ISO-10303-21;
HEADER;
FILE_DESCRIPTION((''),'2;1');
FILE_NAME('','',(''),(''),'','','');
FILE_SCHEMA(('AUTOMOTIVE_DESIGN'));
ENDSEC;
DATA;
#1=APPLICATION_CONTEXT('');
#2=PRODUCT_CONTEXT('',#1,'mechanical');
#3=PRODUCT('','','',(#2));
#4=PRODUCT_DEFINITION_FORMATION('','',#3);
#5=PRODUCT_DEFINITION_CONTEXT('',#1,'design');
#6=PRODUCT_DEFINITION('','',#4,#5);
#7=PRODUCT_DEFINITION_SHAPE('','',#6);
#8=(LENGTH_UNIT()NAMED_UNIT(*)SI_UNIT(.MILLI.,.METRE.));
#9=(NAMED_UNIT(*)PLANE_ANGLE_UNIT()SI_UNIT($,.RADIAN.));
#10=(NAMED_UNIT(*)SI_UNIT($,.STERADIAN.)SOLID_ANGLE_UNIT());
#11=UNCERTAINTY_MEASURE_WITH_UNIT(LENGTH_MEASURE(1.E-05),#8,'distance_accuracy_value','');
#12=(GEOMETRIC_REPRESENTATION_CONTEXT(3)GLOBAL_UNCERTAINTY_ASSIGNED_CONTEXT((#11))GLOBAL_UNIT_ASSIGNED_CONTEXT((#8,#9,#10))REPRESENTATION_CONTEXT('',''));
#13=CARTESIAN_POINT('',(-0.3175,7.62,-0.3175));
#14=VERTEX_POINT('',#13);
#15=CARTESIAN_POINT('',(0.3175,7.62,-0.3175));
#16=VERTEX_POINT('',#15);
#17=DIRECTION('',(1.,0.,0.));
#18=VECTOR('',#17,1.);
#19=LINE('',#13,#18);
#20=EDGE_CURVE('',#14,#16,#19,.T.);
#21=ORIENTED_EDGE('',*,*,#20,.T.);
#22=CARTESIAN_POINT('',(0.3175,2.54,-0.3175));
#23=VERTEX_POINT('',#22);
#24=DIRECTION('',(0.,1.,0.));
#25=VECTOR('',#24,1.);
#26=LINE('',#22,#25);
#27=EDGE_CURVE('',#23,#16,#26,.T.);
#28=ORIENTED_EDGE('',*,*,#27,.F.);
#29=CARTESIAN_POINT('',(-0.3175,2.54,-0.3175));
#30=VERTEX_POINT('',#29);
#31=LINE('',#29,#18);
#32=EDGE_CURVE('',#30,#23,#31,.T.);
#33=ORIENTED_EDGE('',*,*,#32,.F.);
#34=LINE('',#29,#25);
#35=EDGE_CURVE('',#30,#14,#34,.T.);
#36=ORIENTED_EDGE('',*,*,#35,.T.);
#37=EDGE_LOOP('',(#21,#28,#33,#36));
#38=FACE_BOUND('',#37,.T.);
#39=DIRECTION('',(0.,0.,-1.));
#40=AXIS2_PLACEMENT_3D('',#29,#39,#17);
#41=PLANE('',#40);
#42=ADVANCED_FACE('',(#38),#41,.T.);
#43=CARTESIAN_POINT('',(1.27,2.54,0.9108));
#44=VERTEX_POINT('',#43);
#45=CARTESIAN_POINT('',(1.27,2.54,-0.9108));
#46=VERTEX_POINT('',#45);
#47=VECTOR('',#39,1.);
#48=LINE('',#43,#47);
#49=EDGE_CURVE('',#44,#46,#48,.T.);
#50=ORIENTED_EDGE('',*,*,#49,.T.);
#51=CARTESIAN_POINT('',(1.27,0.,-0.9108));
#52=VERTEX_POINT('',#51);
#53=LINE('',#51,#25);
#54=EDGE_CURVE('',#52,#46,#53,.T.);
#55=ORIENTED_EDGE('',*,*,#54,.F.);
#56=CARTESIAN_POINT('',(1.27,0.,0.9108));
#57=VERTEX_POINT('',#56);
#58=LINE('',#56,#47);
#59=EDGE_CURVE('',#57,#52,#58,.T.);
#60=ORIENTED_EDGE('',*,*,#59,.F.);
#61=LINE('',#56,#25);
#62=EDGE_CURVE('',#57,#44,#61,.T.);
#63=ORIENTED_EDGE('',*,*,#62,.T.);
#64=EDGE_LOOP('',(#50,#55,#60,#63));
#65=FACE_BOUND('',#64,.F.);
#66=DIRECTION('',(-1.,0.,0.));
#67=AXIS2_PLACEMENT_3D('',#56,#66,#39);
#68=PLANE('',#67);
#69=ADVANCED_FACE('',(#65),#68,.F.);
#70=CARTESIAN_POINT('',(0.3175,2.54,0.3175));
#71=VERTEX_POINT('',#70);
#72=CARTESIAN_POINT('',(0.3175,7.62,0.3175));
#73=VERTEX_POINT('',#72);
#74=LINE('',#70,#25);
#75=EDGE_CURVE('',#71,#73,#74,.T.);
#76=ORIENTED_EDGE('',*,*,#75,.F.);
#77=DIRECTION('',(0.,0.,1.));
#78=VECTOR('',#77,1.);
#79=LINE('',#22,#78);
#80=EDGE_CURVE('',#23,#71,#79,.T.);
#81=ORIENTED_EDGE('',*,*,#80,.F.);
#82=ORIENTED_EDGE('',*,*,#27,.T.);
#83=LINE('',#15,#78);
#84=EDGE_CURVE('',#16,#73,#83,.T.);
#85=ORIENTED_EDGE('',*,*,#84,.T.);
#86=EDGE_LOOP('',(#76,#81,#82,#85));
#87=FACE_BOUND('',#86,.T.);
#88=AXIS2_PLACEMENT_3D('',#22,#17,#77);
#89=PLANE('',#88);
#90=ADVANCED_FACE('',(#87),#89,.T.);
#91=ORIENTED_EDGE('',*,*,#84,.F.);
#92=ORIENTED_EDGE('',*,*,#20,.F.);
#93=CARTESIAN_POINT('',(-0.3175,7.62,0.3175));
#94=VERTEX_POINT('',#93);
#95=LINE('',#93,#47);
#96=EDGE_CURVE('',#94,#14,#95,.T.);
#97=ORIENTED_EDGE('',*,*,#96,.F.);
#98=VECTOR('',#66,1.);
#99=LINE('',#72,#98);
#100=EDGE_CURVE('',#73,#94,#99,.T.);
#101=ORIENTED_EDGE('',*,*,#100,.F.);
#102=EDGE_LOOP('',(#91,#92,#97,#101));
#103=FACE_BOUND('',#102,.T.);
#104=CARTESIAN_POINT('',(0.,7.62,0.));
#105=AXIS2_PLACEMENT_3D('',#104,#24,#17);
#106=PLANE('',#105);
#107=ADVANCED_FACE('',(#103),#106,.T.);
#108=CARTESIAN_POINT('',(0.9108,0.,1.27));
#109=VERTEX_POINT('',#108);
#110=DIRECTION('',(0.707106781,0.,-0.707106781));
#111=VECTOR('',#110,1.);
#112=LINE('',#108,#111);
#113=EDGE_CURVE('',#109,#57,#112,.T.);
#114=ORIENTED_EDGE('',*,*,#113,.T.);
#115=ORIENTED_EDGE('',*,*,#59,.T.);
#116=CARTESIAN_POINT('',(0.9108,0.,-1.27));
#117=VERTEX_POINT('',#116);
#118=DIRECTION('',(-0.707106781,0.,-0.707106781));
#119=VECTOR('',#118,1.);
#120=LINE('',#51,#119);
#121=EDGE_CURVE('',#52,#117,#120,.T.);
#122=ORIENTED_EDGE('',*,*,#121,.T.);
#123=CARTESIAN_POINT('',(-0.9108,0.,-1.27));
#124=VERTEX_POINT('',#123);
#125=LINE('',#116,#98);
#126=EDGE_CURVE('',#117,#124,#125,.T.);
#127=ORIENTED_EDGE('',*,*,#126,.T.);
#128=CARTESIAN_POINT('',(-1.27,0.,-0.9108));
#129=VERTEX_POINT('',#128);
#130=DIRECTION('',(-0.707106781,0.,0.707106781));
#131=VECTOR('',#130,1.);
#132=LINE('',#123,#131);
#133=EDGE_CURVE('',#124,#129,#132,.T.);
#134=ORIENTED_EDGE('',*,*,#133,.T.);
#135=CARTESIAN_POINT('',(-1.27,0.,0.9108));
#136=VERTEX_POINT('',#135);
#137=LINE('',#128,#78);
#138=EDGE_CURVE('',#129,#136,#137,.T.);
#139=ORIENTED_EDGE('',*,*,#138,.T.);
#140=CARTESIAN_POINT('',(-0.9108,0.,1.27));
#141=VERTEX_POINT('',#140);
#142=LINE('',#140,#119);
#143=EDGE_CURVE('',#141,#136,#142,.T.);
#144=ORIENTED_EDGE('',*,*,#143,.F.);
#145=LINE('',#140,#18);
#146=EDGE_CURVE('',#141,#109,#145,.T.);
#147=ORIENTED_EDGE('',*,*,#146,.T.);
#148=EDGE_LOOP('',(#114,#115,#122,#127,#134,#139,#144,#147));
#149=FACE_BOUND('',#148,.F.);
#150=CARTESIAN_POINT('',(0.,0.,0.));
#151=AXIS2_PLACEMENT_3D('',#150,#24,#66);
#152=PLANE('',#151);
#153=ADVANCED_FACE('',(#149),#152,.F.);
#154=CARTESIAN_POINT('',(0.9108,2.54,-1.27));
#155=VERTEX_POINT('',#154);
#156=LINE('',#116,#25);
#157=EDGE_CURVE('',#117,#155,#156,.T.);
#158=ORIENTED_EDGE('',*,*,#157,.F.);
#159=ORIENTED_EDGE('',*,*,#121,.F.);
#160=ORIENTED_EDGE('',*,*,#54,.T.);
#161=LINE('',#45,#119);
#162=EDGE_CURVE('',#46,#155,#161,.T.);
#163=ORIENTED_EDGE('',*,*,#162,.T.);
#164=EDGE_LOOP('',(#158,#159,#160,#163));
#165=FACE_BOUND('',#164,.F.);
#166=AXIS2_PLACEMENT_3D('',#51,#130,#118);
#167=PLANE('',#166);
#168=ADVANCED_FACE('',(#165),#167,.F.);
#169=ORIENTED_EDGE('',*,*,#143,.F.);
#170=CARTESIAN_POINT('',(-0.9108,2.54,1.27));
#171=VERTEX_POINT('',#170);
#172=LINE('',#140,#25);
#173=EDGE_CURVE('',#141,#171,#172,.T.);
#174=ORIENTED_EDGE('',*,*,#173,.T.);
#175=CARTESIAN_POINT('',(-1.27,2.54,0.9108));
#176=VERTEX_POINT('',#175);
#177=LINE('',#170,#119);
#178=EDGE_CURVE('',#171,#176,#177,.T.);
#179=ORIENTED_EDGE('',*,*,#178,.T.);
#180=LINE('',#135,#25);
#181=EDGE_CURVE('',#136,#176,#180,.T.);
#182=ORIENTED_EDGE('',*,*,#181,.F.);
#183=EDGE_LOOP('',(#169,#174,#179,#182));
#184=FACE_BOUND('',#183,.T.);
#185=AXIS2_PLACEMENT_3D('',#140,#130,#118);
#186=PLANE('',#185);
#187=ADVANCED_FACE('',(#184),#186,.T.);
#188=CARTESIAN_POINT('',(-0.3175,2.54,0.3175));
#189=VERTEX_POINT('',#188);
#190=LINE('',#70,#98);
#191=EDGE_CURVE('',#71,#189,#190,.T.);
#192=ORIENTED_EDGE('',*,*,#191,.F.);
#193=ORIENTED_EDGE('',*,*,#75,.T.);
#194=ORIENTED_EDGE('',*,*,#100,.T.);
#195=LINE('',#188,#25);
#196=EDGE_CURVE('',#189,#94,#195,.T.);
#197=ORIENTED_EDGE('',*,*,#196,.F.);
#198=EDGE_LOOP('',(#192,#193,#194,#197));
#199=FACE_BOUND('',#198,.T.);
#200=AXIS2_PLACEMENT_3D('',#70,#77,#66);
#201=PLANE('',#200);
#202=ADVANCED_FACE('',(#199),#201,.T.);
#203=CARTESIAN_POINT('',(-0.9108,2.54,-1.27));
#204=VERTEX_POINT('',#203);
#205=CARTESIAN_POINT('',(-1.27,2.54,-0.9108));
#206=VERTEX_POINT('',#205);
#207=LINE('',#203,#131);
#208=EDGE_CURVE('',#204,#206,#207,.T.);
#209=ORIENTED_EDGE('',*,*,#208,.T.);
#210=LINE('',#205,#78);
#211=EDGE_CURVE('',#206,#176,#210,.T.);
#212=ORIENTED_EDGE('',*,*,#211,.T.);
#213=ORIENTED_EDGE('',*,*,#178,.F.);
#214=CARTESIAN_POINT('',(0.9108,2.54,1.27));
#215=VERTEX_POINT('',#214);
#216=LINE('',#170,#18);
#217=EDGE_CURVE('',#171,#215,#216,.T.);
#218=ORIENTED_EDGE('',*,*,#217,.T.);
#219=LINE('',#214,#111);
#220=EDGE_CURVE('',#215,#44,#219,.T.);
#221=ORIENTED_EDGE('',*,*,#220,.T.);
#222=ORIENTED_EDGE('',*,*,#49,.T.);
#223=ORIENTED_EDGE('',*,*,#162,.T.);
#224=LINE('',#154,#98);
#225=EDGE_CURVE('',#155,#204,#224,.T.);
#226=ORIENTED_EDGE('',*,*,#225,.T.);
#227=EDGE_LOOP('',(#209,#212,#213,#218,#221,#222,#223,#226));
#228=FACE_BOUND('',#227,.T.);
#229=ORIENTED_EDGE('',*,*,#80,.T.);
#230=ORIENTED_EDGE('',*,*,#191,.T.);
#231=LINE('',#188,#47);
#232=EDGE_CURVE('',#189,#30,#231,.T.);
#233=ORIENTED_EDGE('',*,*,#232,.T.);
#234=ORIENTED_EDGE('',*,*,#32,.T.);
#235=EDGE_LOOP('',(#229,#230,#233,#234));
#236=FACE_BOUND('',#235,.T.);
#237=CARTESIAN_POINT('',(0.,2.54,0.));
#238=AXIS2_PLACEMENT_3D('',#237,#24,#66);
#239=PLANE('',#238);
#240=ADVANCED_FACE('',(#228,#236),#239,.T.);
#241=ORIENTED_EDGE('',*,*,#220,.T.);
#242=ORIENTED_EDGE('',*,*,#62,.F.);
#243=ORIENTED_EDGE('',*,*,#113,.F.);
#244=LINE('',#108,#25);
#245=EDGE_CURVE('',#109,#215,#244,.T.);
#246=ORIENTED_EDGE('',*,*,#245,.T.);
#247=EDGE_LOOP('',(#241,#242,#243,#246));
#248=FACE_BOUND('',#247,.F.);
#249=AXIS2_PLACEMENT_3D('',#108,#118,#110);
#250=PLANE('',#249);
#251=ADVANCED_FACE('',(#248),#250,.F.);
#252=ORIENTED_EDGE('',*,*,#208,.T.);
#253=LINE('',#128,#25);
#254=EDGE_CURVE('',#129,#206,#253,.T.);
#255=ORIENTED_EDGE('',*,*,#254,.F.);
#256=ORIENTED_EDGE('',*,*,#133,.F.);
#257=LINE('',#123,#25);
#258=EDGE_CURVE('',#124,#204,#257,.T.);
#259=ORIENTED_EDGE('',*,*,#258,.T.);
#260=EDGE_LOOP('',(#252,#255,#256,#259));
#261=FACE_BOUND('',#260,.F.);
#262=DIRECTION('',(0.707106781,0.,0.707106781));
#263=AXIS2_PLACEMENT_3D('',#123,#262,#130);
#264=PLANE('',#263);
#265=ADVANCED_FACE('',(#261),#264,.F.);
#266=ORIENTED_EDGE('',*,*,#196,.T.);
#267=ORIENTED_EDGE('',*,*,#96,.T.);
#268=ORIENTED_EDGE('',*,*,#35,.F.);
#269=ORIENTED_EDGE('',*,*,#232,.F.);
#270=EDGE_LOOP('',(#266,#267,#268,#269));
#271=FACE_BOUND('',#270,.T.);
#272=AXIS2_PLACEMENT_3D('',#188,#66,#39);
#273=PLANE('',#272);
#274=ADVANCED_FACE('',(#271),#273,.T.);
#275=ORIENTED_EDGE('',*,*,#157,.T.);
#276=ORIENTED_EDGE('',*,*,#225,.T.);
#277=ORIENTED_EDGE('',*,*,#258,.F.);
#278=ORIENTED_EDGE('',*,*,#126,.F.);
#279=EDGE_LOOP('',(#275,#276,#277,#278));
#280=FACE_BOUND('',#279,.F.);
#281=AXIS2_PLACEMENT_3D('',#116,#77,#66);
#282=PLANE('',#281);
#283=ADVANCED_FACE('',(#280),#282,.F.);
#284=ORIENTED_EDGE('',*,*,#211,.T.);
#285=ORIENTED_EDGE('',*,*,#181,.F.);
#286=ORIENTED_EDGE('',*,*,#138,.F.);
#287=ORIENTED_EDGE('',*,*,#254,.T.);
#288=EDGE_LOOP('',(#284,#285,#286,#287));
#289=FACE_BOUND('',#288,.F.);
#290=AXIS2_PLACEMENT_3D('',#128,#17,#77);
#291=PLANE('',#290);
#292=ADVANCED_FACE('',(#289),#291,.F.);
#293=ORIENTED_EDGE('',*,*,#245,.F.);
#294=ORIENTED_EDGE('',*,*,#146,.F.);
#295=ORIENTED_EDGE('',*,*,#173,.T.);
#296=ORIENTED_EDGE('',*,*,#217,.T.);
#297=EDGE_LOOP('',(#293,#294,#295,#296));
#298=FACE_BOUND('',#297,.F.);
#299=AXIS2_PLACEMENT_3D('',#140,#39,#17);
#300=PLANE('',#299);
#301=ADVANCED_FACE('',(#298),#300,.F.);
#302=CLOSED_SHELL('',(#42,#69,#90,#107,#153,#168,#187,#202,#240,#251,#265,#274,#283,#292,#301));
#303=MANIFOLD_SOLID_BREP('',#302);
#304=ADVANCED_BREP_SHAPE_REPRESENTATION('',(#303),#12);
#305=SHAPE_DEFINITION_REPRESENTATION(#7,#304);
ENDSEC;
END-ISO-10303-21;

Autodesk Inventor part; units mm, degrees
ref_plane "YZ Plane" through (0, 0, 0) normal (1, 0, 0) x (0, 1, 0)
ref_plane "XZ Plane" through (0, 0, 0) normal (0, 1, 0) x (-1, 0, 0)
ref_plane "XY Plane" through (0, 0, 0) normal (0, 0, 1) x (1, 0, 0)
sketch "Sketch1" plane through (0, 0, 0) normal (0, 1, 0) x (-1, 0, 0)
  line L0 (0.9108, 1.27) -> (-0.9108, 1.27)
  line L1 (-0.9108, 1.27) -> (-1.27, 0.9108)
  line L2 (-1.27, 0.9108) -> (-1.27, -0.9108)
  line L3 (0.9108, -1.27) -> (1.27, -0.9108)
  line L4 (1.27, -0.9108) -> (1.27, 0.9108)
  line L5 (0.9108, 1.27) -> (1.27, 0.9108)
  line L6 (-1.27, -0.9108) -> (-0.9108, -1.27)
  line L7 (-0.9108, -1.27) -> (0.9108, -1.27)
  line L8 (-1.27, 0) -> (1.27, 0) construction
  point P0 (0, 0)
  point P1 (0, 0)
  dimension "d1" = 2.54
  dimension "d3" = 0.508
  dimension "d4" = 135
extrude "Extrusion1" add sketch "Sketch1" along normal blind 2.54
sketch "Sketch2" plane through (0, 2.54, 0) normal (0, 1, 0) x (1, 0, 0)
  line L0 (-0.3175, 0.3175) -> (0.3175, 0.3175)
  line L1 (0.3175, 0.3175) -> (0.3175, -0.3175)
  line L2 (0.3175, -0.3175) -> (-0.3175, -0.3175)
  line L3 (-0.3175, -0.3175) -> (-0.3175, 0.3175)
  line L4 (-0.3175, 0.3175) -> (0.3175, -0.3175) construction
  point P0 (0, 0)
  point P1 (0, 0)
  dimension "d7" = 0.635
extrude "Extrusion2" add sketch "Sketch2" along normal blind 5.08
properties part number "Header1x1"
